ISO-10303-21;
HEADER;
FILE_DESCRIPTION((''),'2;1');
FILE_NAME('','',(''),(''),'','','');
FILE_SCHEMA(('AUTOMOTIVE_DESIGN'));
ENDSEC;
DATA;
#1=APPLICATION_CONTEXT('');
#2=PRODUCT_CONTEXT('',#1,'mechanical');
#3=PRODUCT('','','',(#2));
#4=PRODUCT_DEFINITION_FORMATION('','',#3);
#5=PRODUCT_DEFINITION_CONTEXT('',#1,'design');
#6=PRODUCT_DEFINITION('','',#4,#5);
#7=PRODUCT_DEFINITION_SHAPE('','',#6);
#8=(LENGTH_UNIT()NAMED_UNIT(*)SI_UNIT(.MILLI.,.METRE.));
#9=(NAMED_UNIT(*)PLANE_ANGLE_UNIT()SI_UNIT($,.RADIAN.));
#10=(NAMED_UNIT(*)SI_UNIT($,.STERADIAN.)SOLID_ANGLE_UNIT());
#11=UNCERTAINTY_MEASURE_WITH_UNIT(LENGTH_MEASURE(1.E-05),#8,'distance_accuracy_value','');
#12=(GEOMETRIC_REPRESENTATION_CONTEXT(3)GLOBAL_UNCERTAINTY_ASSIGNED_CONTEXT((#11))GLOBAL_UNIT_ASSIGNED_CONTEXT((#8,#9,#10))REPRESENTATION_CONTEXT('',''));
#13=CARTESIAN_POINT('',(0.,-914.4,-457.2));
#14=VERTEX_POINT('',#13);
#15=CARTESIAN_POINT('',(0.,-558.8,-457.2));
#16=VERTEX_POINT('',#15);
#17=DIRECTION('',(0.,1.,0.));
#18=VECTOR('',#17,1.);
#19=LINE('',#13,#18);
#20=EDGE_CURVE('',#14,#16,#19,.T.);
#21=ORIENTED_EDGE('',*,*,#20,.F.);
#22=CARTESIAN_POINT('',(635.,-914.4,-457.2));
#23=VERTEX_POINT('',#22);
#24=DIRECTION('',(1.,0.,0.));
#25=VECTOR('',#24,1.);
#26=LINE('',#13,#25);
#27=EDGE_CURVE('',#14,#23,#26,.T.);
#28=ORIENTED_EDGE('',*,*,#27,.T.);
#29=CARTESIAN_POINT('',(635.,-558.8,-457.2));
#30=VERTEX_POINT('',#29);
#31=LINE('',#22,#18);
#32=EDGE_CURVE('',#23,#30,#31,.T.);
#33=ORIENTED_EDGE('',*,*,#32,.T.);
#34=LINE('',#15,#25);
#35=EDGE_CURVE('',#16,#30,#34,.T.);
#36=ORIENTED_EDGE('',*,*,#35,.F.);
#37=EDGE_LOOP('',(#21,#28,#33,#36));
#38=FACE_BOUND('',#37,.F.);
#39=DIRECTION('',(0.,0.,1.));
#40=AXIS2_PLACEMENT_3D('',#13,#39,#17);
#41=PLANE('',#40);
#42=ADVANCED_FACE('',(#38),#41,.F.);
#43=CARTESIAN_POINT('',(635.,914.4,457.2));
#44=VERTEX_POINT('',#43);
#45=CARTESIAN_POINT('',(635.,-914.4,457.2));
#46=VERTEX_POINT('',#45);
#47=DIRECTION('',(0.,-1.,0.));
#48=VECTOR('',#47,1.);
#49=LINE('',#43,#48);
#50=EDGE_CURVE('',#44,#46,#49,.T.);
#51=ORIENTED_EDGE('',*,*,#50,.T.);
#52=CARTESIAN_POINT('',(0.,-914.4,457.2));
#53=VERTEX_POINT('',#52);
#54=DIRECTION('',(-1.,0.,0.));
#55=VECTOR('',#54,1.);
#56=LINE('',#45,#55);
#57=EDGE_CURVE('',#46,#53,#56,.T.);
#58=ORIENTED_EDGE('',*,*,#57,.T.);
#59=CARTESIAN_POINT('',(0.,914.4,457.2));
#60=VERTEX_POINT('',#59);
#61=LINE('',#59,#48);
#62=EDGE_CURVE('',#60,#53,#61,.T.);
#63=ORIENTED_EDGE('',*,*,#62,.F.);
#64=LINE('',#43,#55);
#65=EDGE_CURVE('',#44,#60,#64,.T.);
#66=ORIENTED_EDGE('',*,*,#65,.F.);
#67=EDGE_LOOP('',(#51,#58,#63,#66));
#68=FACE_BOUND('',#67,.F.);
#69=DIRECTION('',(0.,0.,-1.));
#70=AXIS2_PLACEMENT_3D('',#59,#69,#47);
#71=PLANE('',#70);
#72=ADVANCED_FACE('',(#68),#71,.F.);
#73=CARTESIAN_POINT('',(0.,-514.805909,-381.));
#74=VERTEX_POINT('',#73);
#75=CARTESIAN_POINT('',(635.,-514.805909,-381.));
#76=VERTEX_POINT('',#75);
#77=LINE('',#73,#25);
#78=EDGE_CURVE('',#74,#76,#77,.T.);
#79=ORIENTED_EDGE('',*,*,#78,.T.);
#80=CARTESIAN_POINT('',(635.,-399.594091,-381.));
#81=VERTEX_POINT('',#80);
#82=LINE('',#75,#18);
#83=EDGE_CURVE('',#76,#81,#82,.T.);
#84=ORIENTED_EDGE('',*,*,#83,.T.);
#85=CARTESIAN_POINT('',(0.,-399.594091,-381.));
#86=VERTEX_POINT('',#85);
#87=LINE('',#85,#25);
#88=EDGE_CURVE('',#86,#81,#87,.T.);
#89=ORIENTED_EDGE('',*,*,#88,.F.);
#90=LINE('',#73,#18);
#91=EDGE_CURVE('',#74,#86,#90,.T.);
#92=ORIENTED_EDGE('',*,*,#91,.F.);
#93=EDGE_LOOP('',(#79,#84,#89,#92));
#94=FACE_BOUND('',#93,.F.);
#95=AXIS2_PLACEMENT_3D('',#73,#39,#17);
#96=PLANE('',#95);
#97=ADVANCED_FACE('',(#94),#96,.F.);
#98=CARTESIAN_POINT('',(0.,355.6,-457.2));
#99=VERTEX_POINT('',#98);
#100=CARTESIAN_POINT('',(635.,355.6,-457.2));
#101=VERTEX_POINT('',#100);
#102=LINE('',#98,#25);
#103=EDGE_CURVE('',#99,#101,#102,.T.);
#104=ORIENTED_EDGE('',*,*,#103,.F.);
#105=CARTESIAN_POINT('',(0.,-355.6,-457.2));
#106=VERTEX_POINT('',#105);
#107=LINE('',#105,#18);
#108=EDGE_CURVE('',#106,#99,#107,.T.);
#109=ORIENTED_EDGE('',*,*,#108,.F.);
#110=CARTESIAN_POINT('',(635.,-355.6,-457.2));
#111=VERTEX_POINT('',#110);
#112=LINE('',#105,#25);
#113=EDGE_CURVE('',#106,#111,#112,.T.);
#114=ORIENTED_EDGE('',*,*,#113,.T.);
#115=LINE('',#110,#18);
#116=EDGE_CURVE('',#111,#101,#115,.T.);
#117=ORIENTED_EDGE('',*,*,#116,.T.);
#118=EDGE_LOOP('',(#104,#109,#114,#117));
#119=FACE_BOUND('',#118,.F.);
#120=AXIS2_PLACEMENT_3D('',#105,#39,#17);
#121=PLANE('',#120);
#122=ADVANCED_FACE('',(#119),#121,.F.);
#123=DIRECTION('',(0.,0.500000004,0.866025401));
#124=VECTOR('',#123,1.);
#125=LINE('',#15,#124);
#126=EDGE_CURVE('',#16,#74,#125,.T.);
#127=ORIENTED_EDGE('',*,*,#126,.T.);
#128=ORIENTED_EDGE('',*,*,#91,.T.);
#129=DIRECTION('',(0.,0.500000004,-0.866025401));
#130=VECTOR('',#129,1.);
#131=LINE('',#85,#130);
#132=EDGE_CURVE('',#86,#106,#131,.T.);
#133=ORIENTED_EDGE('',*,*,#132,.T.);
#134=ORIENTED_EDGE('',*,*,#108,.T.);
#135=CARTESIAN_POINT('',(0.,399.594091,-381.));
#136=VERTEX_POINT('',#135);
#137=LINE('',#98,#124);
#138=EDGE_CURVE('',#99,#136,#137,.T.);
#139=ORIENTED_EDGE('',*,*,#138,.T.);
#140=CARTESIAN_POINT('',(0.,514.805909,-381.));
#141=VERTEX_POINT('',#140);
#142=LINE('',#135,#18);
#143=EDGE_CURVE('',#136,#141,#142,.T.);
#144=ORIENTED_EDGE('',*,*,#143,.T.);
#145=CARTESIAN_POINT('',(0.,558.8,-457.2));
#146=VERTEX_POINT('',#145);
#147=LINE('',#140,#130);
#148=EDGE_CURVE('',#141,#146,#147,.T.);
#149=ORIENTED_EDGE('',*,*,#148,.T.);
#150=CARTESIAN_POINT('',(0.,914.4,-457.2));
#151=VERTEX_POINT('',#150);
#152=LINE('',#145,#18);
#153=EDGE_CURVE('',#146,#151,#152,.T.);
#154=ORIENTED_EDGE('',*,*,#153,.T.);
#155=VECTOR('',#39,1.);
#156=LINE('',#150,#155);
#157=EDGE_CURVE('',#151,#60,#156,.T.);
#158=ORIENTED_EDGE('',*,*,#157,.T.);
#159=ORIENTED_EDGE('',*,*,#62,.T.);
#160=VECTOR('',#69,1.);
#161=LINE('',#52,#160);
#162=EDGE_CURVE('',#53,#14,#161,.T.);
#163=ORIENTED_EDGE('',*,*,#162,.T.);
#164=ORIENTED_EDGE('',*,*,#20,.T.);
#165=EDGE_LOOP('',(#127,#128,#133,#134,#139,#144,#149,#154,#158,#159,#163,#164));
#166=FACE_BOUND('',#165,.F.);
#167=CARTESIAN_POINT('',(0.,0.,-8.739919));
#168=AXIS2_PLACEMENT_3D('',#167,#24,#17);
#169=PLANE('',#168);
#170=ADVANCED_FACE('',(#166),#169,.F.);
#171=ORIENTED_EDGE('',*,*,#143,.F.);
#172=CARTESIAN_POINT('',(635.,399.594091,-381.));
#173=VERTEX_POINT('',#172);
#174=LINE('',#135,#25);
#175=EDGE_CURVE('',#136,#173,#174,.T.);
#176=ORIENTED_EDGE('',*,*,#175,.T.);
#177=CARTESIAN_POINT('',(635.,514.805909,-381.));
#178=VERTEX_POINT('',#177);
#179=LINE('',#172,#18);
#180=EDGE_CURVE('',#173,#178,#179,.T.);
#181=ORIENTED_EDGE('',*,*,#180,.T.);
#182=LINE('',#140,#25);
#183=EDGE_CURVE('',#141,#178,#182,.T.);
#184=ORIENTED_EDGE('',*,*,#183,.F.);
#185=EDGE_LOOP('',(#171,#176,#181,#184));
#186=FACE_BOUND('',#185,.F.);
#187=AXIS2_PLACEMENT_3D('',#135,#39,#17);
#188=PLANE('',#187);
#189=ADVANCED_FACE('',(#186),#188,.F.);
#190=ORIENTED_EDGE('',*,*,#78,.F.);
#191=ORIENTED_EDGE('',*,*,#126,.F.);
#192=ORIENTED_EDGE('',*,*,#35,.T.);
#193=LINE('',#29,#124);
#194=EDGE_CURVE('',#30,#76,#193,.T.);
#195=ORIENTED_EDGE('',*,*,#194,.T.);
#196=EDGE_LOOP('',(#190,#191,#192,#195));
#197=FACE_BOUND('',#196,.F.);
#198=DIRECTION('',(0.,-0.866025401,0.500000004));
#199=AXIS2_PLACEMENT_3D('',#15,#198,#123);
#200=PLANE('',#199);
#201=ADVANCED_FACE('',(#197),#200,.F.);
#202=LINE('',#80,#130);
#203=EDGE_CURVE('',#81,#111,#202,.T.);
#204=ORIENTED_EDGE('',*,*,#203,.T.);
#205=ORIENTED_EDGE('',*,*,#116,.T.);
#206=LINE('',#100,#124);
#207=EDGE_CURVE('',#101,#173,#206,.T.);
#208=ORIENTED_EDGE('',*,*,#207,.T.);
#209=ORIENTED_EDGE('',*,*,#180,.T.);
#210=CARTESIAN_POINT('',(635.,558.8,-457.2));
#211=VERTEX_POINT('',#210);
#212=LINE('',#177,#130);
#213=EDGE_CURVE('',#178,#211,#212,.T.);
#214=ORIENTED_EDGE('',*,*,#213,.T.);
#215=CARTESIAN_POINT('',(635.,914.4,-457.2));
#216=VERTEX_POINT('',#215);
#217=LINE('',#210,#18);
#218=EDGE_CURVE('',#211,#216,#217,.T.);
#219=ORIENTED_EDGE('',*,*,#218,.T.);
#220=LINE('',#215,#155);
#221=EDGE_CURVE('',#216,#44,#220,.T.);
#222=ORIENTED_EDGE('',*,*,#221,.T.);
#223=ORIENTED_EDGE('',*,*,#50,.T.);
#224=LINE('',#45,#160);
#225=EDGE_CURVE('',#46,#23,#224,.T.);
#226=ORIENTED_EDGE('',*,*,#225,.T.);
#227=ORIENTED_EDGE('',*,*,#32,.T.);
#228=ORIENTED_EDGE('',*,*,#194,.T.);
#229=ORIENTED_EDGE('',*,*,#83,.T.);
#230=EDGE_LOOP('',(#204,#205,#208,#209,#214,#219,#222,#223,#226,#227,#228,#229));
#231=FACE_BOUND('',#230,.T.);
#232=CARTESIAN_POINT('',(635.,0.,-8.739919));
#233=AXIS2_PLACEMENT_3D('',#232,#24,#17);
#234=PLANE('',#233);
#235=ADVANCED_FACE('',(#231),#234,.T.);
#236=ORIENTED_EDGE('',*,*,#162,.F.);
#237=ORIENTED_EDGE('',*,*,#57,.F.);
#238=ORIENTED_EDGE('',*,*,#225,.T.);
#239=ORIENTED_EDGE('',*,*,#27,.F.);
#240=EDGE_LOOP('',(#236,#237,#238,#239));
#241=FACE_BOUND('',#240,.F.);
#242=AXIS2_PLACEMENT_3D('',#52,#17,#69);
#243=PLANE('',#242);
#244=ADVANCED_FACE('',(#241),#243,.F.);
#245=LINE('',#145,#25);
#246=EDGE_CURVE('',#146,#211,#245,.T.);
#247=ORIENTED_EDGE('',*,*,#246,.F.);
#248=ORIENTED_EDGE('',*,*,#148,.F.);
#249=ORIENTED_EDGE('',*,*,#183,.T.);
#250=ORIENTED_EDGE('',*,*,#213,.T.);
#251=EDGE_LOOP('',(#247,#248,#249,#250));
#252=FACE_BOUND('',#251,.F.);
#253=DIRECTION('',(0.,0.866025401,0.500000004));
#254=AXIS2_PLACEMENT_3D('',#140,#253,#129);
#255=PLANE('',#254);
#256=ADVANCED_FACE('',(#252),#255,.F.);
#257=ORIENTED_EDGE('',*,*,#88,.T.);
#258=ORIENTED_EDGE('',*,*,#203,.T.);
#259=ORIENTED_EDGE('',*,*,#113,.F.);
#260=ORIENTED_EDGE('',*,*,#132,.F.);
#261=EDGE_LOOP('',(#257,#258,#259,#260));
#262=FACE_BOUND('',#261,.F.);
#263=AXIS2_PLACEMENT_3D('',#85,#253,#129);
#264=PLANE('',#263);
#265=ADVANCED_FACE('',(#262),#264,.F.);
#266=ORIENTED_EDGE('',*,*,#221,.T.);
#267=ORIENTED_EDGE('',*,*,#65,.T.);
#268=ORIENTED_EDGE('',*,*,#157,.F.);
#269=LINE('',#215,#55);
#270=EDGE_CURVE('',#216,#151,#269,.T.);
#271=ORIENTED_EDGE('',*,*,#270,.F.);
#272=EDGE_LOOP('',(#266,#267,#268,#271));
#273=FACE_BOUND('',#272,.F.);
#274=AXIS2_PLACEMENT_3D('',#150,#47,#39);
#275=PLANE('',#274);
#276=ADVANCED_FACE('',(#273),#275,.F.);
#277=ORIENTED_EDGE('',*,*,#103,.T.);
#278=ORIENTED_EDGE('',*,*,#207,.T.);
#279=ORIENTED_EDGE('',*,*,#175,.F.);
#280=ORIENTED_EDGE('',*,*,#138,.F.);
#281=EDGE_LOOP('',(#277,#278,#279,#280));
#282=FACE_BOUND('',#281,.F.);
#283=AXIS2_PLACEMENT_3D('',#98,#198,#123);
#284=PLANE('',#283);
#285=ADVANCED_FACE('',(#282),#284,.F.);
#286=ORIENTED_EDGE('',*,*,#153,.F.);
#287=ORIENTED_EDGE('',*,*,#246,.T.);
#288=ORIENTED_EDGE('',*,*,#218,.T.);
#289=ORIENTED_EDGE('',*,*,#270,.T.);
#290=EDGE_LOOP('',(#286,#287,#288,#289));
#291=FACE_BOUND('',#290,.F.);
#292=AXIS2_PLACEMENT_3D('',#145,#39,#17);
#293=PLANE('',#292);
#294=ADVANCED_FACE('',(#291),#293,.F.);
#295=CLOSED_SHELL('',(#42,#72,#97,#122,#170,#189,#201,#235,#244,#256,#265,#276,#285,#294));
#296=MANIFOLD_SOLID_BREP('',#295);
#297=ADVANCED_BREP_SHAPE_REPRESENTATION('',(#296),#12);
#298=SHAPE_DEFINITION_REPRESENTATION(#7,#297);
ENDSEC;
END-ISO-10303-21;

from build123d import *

# Parameters (mm, degrees)
F1_DEPTH = 609.6
F2_T     = -76.2
F3_DEPTH = 635


with BuildPart() as f1:
    # F0 (on Right) → F1 (new body)
    with BuildSketch(Plane.YZ):
        Polygon((914.4, -457.2), (914.4, 457.2), (-914.4, 457.2), (-914.4, -457.2), (-558.8, -457.2), (-514.805909, -381), (-399.594091, -381), (-355.6, -457.2), (355.6, -457.2), (399.594091, -381), (514.805909, -381), (558.8, -457.2), align=None)
    extrude(amount=F1_DEPTH)

    # F2
    f2_openings = [f1.faces().sort_by_distance(p)[0] for p in [
        (304.8, 0, 457.2),
    ]]
    offset(amount=F2_T, openings=f2_openings)

    # F0 (on Right) → F3 (join)
    with BuildSketch(Plane.YZ):
        Polygon((914.4, -457.2), (914.4, 457.2), (-914.4, 457.2), (-914.4, -457.2), (-558.8, -457.2), (-514.805909, -381), (-399.594091, -381), (-355.6, -457.2), (355.6, -457.2), (399.594091, -381), (514.805909, -381), (558.8, -457.2), align=None)
    extrude(amount=F3_DEPTH)


solid = f1.part
